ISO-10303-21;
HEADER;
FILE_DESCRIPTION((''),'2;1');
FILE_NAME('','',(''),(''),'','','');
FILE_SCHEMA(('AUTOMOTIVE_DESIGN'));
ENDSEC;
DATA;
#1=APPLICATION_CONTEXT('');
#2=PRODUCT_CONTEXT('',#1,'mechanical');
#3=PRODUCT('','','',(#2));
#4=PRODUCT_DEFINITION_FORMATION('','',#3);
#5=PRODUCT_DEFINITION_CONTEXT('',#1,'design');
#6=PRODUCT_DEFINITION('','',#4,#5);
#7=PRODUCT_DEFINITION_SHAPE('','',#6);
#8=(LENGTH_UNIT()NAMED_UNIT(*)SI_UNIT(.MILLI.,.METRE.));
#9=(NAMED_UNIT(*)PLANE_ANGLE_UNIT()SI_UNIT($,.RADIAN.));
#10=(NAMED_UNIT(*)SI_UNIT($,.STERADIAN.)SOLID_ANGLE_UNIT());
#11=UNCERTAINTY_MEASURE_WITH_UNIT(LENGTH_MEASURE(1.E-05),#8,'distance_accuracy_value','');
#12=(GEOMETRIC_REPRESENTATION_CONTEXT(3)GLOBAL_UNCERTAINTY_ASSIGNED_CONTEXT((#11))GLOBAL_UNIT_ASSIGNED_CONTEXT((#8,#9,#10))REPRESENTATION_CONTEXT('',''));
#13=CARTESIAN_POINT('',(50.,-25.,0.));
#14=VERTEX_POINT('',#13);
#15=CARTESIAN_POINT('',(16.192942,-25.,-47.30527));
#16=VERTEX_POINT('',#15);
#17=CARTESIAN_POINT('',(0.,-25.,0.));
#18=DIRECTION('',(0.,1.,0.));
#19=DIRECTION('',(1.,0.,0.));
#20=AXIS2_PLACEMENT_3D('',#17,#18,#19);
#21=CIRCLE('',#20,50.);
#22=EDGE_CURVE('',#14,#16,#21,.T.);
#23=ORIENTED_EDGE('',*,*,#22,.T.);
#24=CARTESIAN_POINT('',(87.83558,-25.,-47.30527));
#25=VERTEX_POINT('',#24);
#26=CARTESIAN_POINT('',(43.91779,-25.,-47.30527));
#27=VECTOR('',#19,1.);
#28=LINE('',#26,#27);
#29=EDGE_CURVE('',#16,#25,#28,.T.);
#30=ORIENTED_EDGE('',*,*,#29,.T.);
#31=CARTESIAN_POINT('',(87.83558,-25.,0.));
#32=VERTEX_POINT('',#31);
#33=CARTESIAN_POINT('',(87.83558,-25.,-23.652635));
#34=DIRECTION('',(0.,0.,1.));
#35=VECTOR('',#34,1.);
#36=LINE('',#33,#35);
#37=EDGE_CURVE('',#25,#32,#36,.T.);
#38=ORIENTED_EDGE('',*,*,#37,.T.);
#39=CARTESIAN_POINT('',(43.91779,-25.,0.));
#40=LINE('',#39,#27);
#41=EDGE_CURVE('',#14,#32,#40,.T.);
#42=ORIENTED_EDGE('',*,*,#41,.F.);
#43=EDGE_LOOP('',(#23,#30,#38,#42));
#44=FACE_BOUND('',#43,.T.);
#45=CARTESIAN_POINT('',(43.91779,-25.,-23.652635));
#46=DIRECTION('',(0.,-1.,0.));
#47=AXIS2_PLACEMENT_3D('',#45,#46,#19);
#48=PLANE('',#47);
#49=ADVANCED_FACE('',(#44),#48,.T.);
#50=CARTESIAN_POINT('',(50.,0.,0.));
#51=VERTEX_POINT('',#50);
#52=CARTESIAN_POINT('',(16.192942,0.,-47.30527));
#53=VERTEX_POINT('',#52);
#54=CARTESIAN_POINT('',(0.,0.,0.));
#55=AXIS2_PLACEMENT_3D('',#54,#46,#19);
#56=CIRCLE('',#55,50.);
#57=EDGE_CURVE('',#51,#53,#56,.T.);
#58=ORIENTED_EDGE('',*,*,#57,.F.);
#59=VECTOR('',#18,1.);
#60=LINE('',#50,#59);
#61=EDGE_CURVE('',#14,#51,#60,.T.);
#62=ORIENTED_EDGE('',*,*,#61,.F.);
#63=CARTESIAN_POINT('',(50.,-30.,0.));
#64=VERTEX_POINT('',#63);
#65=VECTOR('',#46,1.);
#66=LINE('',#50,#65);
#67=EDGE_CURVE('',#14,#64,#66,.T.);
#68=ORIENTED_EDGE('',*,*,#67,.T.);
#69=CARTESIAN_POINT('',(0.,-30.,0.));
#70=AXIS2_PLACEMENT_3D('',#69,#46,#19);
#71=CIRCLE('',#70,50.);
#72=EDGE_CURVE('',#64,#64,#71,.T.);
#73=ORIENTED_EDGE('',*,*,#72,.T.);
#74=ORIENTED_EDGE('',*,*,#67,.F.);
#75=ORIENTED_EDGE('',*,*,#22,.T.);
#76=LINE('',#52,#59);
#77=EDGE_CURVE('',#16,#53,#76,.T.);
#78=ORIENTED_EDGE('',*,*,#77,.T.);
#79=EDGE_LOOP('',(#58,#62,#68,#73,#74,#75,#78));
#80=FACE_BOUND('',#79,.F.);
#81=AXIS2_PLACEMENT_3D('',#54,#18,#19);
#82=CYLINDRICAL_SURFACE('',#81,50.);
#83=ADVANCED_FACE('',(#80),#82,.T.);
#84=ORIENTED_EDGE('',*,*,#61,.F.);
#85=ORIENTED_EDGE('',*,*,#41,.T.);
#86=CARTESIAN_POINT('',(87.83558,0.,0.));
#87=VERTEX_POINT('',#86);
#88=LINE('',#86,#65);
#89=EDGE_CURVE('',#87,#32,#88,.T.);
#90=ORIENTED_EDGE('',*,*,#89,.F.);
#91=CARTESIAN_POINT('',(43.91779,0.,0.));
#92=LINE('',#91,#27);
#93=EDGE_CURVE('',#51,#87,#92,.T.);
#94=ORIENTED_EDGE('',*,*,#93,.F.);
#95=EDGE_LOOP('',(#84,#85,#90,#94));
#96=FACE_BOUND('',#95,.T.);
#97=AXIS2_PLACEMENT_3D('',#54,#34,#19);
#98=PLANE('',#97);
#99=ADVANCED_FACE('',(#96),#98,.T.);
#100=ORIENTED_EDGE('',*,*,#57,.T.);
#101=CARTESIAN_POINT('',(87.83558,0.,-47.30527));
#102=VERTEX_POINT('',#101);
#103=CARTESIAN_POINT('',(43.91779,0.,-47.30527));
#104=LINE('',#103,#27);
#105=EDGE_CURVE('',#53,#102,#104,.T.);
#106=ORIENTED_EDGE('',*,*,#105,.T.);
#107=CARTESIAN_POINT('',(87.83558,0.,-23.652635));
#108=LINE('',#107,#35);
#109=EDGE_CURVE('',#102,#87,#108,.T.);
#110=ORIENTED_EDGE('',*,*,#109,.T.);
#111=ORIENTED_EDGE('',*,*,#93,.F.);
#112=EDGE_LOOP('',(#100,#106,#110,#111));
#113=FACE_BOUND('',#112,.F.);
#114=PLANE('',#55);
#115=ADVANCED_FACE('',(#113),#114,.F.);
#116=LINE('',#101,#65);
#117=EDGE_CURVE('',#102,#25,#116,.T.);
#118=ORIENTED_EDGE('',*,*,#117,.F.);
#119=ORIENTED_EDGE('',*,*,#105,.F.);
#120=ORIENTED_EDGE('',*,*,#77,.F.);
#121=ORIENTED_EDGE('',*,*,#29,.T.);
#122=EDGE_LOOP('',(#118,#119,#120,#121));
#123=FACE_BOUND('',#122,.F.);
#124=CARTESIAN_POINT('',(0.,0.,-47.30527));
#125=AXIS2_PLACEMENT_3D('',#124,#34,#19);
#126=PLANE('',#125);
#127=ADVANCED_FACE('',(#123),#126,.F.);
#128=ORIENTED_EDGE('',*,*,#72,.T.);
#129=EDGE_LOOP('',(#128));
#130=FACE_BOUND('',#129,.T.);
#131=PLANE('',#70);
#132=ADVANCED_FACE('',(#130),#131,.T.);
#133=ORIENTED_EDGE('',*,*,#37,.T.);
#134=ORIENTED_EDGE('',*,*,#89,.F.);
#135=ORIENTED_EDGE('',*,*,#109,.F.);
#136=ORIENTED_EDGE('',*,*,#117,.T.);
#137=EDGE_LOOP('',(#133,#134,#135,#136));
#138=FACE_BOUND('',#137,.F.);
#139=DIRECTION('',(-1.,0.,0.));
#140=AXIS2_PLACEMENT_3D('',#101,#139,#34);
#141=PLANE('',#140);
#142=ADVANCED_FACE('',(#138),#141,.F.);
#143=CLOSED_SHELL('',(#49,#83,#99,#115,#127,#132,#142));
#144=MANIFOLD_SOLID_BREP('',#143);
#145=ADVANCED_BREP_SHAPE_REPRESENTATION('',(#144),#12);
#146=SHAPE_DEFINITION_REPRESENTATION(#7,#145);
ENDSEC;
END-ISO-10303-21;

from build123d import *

# Parameters (mm, degrees)
F0_R     = 50
F1_DEPTH = 30
F2_W     = 87.83558
F2_H     = 47.305271
F3_DEPTH = 25


with BuildPart() as f1:
    # F0 (on Front) → F1 (new body)
    with BuildSketch(Plane.XZ):
        Circle(F0_R)
    extrude(amount=F1_DEPTH)

    # F2 (on Front) → F3 (join)
    with BuildSketch(Plane.XZ):
        with Locations((43.91779, -23.652635)):
            Rectangle(F2_W, F2_H)
    extrude(amount=F3_DEPTH)


solid = f1.part
